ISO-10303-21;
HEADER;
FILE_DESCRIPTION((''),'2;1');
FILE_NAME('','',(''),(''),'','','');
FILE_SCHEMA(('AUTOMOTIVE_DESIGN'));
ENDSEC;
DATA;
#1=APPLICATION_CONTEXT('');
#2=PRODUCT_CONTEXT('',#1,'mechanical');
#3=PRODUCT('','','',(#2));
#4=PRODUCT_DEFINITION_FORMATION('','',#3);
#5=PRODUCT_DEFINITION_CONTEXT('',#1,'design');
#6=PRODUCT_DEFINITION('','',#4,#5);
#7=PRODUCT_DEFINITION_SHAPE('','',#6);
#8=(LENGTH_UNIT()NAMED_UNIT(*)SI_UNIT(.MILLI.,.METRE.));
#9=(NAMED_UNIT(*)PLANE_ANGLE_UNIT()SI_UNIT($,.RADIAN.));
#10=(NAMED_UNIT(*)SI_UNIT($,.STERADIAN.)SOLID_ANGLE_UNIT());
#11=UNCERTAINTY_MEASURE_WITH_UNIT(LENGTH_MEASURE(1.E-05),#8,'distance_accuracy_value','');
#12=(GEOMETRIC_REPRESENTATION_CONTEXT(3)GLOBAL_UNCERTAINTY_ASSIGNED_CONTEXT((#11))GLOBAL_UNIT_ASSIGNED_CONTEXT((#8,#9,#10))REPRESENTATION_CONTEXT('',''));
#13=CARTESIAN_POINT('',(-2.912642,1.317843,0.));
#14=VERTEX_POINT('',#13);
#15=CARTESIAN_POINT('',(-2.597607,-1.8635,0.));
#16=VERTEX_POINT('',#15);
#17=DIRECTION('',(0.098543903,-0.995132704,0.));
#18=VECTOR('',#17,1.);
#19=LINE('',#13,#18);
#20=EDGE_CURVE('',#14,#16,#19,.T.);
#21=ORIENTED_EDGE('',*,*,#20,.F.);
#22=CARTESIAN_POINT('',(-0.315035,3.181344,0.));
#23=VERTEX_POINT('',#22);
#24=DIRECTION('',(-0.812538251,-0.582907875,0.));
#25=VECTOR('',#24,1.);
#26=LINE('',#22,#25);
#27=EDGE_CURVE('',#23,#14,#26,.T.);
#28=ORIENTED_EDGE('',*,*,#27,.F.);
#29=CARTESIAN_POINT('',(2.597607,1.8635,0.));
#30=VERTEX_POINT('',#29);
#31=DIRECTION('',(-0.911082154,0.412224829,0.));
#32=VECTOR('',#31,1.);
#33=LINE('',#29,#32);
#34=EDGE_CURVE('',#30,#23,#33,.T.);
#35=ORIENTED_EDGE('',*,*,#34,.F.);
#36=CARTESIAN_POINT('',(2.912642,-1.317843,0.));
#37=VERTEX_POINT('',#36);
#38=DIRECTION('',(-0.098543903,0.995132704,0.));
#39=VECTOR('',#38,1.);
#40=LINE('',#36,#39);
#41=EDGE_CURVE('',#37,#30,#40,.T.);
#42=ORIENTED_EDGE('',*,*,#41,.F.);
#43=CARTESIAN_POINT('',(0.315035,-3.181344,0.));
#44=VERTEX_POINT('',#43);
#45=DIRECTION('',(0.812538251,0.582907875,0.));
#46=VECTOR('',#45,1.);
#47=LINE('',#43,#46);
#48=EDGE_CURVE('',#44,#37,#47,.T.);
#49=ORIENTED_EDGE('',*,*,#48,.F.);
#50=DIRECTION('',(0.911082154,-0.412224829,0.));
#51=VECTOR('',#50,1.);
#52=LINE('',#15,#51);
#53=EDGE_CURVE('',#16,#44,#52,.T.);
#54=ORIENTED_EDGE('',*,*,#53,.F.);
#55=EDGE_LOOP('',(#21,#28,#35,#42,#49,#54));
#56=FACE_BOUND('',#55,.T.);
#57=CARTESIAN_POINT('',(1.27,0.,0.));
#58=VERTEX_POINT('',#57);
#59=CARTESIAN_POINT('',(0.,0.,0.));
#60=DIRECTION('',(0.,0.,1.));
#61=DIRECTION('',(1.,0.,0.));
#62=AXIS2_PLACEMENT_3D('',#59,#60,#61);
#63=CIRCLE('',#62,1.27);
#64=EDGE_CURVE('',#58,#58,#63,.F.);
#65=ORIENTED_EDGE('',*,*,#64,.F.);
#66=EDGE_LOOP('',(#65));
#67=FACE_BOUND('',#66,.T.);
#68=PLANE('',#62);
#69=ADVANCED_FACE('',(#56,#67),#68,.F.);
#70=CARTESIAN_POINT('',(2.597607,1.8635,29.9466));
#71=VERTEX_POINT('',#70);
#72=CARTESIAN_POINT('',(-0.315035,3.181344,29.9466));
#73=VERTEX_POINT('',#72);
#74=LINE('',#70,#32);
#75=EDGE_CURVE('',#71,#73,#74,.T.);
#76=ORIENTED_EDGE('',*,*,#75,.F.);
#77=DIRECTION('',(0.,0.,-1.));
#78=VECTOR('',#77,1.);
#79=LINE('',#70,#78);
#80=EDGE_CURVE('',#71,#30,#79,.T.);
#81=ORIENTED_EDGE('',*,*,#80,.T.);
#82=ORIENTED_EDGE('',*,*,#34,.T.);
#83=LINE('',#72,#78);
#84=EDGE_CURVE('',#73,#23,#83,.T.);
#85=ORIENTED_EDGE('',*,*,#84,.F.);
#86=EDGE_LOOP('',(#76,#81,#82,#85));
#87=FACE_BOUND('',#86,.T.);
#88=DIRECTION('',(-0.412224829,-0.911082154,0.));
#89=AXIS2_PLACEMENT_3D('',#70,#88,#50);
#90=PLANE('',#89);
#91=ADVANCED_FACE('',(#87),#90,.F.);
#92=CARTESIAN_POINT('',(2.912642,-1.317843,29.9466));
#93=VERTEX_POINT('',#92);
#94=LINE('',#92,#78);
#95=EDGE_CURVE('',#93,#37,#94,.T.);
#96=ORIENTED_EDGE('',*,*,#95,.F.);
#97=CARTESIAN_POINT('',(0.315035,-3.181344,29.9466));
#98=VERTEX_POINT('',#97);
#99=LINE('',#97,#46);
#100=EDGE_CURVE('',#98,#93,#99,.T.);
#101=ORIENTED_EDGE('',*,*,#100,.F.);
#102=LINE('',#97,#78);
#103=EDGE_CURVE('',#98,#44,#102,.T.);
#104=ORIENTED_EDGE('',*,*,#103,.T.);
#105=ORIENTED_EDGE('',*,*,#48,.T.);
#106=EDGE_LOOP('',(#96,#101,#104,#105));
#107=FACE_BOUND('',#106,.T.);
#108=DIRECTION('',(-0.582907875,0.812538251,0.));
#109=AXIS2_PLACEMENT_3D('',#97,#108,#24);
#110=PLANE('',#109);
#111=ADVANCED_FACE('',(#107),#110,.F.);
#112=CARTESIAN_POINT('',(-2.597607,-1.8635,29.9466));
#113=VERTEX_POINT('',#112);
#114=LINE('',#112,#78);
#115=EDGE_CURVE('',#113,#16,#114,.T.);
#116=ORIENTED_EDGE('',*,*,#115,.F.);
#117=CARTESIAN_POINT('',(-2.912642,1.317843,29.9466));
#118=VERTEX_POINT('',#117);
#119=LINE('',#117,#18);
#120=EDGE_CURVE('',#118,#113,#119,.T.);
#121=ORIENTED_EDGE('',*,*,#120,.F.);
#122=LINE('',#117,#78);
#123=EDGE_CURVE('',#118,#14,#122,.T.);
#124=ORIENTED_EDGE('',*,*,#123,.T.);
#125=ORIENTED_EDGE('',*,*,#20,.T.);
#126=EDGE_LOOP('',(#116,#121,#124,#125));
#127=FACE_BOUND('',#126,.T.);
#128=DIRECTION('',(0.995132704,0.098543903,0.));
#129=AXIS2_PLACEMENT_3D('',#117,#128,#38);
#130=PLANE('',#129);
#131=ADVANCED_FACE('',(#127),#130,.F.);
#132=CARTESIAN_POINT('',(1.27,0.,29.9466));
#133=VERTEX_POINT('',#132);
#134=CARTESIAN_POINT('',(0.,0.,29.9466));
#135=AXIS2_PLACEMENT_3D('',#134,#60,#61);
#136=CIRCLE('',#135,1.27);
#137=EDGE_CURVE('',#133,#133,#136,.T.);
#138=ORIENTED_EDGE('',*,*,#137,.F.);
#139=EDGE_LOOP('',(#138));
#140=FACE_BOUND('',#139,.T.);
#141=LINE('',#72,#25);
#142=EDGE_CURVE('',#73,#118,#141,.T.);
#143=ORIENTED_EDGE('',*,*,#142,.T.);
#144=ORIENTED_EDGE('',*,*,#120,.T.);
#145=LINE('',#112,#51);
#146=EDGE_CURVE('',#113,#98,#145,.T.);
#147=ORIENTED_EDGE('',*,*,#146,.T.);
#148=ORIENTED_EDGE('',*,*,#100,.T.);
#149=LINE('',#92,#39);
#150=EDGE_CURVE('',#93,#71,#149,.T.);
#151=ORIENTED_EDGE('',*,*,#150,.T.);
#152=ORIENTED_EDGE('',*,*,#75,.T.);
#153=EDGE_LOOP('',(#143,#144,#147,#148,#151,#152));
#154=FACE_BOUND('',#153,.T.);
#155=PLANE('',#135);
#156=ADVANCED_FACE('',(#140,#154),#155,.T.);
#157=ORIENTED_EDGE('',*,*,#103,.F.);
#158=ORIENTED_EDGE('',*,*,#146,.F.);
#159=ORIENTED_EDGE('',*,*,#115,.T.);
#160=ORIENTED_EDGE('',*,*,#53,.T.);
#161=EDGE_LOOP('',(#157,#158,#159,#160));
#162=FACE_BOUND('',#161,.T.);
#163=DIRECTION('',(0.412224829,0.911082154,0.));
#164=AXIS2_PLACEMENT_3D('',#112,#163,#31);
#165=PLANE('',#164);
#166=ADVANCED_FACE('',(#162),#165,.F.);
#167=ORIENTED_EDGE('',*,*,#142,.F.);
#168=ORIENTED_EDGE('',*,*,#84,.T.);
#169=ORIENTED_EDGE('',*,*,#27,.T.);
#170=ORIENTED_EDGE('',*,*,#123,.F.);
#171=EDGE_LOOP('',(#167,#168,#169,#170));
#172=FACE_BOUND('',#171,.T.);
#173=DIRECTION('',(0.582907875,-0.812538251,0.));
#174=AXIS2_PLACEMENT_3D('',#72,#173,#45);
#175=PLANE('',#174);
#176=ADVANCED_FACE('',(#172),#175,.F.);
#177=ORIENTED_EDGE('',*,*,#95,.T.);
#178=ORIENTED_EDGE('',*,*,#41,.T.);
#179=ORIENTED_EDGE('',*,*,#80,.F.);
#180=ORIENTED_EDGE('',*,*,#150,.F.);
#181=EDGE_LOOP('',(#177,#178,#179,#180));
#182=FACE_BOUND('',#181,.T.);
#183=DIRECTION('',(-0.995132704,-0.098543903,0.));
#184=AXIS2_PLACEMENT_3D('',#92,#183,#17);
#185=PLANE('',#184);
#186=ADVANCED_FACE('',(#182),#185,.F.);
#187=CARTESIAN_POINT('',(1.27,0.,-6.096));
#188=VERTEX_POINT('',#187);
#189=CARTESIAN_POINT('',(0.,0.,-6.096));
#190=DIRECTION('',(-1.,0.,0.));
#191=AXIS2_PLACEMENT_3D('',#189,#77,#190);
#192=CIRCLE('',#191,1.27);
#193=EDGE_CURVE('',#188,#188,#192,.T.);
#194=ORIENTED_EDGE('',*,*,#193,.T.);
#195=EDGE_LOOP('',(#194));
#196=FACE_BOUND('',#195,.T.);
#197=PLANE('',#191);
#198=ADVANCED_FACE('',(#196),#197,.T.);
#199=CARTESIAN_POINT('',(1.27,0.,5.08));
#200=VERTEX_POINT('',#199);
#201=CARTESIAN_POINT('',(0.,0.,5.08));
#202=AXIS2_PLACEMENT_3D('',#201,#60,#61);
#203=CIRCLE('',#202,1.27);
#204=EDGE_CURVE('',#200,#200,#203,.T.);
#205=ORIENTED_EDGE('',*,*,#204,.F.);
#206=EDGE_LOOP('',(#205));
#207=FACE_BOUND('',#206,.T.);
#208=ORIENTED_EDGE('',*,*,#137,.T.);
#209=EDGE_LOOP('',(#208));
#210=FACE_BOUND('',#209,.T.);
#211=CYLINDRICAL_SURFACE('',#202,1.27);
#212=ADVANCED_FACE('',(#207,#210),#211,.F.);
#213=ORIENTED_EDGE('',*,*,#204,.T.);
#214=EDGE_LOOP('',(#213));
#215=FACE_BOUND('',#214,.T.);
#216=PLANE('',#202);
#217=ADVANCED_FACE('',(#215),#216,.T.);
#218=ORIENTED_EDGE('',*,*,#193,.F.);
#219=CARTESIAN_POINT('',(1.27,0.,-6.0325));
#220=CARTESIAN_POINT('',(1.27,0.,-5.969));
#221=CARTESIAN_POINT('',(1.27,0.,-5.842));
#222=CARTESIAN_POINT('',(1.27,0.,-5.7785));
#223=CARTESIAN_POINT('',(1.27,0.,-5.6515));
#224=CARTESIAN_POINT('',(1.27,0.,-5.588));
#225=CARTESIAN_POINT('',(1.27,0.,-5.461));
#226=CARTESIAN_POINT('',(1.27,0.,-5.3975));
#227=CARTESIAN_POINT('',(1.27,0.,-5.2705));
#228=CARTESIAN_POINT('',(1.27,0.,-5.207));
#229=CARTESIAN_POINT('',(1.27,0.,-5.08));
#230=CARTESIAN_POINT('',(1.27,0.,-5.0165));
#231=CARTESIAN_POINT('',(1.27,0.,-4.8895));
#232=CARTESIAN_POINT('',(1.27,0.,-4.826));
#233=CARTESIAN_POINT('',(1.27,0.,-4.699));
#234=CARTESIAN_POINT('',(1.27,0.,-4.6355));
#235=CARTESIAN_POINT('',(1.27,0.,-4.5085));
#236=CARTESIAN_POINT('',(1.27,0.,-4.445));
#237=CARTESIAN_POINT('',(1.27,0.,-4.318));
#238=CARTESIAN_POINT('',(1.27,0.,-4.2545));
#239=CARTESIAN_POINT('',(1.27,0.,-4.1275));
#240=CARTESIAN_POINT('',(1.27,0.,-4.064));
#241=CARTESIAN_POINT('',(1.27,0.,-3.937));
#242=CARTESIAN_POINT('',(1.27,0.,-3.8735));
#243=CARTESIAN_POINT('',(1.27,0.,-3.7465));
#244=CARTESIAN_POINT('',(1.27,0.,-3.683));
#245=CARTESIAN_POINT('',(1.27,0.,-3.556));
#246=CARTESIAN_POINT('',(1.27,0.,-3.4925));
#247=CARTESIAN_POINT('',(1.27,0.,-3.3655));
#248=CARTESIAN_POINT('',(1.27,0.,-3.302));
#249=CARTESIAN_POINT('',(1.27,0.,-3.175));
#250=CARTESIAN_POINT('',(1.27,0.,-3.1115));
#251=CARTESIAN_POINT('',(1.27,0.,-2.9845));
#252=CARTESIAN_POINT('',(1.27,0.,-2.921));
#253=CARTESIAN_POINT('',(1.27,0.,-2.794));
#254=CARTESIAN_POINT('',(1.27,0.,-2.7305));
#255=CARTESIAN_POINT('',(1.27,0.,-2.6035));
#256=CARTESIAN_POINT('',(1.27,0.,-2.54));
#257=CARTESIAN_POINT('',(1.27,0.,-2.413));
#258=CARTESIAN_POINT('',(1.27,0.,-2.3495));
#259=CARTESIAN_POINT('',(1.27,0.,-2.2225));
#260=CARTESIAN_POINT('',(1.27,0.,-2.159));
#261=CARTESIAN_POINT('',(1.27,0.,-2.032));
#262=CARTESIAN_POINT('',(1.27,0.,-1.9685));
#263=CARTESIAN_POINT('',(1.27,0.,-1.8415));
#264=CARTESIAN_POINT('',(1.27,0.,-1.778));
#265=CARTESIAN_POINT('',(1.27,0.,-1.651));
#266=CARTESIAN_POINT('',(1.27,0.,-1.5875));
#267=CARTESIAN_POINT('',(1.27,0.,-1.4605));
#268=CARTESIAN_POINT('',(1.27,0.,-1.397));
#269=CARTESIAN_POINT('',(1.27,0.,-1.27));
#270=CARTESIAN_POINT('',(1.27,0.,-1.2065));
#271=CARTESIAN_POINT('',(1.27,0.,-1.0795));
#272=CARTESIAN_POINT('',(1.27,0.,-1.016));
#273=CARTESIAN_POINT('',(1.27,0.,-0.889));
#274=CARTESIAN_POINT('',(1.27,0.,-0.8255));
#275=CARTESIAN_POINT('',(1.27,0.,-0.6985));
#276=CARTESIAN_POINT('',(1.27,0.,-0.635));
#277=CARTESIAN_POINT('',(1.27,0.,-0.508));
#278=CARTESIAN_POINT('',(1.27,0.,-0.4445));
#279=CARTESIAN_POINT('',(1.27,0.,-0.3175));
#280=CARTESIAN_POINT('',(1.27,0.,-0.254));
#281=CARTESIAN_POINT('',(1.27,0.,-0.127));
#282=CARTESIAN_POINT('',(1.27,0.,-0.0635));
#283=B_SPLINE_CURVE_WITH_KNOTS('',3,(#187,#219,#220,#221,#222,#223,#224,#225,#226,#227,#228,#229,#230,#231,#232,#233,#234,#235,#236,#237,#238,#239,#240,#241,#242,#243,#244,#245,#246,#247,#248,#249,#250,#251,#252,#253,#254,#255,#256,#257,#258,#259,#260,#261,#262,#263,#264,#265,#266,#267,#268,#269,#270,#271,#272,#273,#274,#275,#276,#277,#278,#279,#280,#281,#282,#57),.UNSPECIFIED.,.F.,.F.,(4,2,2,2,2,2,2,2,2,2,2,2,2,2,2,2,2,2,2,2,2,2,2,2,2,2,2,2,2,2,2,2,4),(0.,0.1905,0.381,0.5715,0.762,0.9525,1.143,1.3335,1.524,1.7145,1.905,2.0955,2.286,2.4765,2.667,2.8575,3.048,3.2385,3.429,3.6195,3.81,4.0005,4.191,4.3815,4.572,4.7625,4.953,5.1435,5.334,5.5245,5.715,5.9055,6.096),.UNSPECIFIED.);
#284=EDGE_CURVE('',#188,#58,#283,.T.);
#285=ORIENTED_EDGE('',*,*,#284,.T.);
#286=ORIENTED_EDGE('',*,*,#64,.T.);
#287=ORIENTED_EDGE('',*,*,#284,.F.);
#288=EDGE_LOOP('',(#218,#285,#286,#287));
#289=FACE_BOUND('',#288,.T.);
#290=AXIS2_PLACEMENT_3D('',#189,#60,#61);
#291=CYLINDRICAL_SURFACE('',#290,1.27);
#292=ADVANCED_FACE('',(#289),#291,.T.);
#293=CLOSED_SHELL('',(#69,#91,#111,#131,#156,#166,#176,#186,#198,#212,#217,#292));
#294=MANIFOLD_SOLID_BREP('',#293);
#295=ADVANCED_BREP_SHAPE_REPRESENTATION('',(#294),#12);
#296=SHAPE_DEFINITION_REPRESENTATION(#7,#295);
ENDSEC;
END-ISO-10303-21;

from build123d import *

# Parameters (mm, degrees)
BOSS_EXTRUDE1_DEPTH = 29.9466
SKETCH2_R           = 1.27
CUT_EXTRUDE1_DEPTH  = 24.8666
SKETCH3_R           = 1.27
BOSS_EXTRUDE2_DEPTH = 6.096


with BuildPart() as part:
    # Sketch1 → Boss-Extrude1 (new body)
    with BuildSketch(Plane.XY):
        Polygon((-2.597606711, -1.863500467), (0.315035389, -3.181343634), (2.912642099, -1.317843167), (2.597606711, 1.863500467), (-0.315035389, 3.181343634), (-2.912642099, 1.317843167), align=None)
    extrude(amount=BOSS_EXTRUDE1_DEPTH)

    # Sketch2 → Cut-Extrude1 (cut)
    with BuildSketch(Plane.XY.offset(29.9466)):
        Circle(SKETCH2_R)
    extrude(amount=-CUT_EXTRUDE1_DEPTH, mode=Mode.SUBTRACT)

    # Sketch3 → Boss-Extrude2 (add)
    with BuildSketch(Plane(origin=(0, 0, 0), x_dir=(-1, 0, 0), z_dir=(0, 0, -1))):
        with Locations(Location((0, 0, 0), (0, 0, 180))):
            Circle(SKETCH3_R)
    extrude(amount=BOSS_EXTRUDE2_DEPTH)


solid = part.part
